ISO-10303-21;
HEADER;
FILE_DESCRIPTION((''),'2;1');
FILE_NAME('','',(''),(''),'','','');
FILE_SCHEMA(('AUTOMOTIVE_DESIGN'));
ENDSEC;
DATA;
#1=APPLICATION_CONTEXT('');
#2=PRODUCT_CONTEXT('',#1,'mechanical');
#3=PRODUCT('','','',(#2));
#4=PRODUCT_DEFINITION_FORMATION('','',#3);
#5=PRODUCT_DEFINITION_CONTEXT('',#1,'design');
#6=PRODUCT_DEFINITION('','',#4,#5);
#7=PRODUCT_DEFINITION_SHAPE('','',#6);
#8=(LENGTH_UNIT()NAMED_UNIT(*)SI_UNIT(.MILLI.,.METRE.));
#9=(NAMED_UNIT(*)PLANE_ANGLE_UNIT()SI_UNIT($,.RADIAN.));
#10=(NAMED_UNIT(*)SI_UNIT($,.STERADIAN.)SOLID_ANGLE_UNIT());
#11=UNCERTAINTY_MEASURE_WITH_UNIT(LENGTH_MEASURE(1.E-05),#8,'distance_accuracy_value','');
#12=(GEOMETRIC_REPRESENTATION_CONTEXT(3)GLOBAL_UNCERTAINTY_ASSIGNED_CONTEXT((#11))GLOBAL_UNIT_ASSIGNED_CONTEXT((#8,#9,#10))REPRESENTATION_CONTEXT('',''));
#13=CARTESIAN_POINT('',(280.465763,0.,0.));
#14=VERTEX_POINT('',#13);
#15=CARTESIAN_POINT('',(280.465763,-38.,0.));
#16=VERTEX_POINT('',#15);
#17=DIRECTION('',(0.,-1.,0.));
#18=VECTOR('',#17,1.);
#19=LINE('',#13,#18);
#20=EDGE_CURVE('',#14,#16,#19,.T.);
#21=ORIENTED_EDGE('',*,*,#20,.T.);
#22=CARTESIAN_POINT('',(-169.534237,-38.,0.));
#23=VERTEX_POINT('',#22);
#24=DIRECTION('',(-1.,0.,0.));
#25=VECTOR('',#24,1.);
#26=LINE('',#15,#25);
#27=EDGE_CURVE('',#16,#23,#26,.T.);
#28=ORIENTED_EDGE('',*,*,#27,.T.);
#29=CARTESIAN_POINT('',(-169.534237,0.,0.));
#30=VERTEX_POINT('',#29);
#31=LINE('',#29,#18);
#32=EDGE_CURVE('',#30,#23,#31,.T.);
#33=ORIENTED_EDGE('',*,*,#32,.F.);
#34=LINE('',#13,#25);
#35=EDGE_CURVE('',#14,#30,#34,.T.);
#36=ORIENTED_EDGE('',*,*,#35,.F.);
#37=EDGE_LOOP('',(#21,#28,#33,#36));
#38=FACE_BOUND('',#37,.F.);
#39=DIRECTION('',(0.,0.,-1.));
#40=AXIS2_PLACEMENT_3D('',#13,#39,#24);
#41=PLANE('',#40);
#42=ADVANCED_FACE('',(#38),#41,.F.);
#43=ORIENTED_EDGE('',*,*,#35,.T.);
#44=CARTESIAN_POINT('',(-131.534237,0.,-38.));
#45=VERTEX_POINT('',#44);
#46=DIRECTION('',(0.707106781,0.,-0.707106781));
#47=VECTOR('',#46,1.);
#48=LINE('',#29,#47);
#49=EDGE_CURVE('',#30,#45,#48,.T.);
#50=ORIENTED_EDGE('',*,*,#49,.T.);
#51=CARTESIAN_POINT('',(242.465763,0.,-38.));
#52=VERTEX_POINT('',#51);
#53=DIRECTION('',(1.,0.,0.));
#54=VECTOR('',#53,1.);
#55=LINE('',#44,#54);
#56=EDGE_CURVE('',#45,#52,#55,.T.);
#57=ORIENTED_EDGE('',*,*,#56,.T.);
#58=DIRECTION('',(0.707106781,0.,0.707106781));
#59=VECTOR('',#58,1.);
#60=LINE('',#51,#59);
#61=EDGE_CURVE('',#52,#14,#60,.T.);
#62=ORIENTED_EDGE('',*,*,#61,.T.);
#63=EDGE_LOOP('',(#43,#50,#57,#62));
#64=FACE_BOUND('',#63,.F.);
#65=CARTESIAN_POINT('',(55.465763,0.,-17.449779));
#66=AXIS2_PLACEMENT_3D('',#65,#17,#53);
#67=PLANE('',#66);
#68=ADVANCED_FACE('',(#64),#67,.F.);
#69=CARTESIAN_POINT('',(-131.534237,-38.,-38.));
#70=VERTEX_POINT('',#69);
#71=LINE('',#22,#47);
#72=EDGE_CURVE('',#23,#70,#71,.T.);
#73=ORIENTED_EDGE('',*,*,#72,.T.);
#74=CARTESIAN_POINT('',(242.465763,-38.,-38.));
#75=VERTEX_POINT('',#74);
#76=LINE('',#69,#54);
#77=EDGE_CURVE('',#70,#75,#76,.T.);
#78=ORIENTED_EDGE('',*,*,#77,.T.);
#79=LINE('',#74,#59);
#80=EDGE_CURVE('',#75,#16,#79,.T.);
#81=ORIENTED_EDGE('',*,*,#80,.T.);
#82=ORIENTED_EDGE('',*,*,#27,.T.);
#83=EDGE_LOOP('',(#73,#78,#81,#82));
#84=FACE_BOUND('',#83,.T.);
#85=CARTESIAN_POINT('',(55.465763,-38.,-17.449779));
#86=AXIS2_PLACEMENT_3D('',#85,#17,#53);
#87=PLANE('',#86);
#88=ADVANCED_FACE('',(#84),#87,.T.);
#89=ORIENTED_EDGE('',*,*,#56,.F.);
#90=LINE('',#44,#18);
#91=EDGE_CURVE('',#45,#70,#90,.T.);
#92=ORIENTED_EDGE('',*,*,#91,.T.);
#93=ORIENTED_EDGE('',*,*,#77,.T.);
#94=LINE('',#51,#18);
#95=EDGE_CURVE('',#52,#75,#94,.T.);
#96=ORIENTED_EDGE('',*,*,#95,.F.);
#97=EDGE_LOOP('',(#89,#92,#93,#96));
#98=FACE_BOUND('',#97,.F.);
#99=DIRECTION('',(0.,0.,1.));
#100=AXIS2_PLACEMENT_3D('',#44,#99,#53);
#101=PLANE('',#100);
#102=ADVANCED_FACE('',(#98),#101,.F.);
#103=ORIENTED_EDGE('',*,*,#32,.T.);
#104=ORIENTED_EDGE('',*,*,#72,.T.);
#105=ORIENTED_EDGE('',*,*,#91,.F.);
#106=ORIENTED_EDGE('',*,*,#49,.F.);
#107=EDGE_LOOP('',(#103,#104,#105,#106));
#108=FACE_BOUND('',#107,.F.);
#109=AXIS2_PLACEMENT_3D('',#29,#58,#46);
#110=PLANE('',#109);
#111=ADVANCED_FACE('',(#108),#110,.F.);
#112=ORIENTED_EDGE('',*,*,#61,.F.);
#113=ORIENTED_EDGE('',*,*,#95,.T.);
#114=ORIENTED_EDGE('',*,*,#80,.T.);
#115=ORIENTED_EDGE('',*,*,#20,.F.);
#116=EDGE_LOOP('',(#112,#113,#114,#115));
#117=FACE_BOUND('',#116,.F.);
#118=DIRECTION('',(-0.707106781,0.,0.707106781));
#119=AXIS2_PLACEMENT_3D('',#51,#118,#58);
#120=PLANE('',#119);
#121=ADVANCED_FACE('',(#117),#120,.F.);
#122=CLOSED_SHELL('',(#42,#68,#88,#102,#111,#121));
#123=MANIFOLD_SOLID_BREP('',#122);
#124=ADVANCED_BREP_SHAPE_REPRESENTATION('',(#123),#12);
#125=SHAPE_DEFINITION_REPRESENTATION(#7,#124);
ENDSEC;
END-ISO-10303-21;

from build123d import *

# Parameters (mm, degrees)
F1_DEPTH = 38
F2_W     = 38
F2_H     = 374
F3_DEPTH = 38


with BuildPart() as f1:
    # F0 (on Front) → F1 (new body)
    with BuildSketch(Plane.XZ):
        Polygon((280.465763, 0), (-169.534237, 0), (-131.534237, -38), (242.465763, -38), align=None)
    extrude(amount=F1_DEPTH)


with BuildPart() as f3:
    # F2 (on Front) → F3 (new body)
    with BuildSketch(Plane.XZ):
        with Locations((-266.727887, -67.336804)):
            Rectangle(F2_W, F2_H)
    extrude(amount=F3_DEPTH)


solid = f1.part
